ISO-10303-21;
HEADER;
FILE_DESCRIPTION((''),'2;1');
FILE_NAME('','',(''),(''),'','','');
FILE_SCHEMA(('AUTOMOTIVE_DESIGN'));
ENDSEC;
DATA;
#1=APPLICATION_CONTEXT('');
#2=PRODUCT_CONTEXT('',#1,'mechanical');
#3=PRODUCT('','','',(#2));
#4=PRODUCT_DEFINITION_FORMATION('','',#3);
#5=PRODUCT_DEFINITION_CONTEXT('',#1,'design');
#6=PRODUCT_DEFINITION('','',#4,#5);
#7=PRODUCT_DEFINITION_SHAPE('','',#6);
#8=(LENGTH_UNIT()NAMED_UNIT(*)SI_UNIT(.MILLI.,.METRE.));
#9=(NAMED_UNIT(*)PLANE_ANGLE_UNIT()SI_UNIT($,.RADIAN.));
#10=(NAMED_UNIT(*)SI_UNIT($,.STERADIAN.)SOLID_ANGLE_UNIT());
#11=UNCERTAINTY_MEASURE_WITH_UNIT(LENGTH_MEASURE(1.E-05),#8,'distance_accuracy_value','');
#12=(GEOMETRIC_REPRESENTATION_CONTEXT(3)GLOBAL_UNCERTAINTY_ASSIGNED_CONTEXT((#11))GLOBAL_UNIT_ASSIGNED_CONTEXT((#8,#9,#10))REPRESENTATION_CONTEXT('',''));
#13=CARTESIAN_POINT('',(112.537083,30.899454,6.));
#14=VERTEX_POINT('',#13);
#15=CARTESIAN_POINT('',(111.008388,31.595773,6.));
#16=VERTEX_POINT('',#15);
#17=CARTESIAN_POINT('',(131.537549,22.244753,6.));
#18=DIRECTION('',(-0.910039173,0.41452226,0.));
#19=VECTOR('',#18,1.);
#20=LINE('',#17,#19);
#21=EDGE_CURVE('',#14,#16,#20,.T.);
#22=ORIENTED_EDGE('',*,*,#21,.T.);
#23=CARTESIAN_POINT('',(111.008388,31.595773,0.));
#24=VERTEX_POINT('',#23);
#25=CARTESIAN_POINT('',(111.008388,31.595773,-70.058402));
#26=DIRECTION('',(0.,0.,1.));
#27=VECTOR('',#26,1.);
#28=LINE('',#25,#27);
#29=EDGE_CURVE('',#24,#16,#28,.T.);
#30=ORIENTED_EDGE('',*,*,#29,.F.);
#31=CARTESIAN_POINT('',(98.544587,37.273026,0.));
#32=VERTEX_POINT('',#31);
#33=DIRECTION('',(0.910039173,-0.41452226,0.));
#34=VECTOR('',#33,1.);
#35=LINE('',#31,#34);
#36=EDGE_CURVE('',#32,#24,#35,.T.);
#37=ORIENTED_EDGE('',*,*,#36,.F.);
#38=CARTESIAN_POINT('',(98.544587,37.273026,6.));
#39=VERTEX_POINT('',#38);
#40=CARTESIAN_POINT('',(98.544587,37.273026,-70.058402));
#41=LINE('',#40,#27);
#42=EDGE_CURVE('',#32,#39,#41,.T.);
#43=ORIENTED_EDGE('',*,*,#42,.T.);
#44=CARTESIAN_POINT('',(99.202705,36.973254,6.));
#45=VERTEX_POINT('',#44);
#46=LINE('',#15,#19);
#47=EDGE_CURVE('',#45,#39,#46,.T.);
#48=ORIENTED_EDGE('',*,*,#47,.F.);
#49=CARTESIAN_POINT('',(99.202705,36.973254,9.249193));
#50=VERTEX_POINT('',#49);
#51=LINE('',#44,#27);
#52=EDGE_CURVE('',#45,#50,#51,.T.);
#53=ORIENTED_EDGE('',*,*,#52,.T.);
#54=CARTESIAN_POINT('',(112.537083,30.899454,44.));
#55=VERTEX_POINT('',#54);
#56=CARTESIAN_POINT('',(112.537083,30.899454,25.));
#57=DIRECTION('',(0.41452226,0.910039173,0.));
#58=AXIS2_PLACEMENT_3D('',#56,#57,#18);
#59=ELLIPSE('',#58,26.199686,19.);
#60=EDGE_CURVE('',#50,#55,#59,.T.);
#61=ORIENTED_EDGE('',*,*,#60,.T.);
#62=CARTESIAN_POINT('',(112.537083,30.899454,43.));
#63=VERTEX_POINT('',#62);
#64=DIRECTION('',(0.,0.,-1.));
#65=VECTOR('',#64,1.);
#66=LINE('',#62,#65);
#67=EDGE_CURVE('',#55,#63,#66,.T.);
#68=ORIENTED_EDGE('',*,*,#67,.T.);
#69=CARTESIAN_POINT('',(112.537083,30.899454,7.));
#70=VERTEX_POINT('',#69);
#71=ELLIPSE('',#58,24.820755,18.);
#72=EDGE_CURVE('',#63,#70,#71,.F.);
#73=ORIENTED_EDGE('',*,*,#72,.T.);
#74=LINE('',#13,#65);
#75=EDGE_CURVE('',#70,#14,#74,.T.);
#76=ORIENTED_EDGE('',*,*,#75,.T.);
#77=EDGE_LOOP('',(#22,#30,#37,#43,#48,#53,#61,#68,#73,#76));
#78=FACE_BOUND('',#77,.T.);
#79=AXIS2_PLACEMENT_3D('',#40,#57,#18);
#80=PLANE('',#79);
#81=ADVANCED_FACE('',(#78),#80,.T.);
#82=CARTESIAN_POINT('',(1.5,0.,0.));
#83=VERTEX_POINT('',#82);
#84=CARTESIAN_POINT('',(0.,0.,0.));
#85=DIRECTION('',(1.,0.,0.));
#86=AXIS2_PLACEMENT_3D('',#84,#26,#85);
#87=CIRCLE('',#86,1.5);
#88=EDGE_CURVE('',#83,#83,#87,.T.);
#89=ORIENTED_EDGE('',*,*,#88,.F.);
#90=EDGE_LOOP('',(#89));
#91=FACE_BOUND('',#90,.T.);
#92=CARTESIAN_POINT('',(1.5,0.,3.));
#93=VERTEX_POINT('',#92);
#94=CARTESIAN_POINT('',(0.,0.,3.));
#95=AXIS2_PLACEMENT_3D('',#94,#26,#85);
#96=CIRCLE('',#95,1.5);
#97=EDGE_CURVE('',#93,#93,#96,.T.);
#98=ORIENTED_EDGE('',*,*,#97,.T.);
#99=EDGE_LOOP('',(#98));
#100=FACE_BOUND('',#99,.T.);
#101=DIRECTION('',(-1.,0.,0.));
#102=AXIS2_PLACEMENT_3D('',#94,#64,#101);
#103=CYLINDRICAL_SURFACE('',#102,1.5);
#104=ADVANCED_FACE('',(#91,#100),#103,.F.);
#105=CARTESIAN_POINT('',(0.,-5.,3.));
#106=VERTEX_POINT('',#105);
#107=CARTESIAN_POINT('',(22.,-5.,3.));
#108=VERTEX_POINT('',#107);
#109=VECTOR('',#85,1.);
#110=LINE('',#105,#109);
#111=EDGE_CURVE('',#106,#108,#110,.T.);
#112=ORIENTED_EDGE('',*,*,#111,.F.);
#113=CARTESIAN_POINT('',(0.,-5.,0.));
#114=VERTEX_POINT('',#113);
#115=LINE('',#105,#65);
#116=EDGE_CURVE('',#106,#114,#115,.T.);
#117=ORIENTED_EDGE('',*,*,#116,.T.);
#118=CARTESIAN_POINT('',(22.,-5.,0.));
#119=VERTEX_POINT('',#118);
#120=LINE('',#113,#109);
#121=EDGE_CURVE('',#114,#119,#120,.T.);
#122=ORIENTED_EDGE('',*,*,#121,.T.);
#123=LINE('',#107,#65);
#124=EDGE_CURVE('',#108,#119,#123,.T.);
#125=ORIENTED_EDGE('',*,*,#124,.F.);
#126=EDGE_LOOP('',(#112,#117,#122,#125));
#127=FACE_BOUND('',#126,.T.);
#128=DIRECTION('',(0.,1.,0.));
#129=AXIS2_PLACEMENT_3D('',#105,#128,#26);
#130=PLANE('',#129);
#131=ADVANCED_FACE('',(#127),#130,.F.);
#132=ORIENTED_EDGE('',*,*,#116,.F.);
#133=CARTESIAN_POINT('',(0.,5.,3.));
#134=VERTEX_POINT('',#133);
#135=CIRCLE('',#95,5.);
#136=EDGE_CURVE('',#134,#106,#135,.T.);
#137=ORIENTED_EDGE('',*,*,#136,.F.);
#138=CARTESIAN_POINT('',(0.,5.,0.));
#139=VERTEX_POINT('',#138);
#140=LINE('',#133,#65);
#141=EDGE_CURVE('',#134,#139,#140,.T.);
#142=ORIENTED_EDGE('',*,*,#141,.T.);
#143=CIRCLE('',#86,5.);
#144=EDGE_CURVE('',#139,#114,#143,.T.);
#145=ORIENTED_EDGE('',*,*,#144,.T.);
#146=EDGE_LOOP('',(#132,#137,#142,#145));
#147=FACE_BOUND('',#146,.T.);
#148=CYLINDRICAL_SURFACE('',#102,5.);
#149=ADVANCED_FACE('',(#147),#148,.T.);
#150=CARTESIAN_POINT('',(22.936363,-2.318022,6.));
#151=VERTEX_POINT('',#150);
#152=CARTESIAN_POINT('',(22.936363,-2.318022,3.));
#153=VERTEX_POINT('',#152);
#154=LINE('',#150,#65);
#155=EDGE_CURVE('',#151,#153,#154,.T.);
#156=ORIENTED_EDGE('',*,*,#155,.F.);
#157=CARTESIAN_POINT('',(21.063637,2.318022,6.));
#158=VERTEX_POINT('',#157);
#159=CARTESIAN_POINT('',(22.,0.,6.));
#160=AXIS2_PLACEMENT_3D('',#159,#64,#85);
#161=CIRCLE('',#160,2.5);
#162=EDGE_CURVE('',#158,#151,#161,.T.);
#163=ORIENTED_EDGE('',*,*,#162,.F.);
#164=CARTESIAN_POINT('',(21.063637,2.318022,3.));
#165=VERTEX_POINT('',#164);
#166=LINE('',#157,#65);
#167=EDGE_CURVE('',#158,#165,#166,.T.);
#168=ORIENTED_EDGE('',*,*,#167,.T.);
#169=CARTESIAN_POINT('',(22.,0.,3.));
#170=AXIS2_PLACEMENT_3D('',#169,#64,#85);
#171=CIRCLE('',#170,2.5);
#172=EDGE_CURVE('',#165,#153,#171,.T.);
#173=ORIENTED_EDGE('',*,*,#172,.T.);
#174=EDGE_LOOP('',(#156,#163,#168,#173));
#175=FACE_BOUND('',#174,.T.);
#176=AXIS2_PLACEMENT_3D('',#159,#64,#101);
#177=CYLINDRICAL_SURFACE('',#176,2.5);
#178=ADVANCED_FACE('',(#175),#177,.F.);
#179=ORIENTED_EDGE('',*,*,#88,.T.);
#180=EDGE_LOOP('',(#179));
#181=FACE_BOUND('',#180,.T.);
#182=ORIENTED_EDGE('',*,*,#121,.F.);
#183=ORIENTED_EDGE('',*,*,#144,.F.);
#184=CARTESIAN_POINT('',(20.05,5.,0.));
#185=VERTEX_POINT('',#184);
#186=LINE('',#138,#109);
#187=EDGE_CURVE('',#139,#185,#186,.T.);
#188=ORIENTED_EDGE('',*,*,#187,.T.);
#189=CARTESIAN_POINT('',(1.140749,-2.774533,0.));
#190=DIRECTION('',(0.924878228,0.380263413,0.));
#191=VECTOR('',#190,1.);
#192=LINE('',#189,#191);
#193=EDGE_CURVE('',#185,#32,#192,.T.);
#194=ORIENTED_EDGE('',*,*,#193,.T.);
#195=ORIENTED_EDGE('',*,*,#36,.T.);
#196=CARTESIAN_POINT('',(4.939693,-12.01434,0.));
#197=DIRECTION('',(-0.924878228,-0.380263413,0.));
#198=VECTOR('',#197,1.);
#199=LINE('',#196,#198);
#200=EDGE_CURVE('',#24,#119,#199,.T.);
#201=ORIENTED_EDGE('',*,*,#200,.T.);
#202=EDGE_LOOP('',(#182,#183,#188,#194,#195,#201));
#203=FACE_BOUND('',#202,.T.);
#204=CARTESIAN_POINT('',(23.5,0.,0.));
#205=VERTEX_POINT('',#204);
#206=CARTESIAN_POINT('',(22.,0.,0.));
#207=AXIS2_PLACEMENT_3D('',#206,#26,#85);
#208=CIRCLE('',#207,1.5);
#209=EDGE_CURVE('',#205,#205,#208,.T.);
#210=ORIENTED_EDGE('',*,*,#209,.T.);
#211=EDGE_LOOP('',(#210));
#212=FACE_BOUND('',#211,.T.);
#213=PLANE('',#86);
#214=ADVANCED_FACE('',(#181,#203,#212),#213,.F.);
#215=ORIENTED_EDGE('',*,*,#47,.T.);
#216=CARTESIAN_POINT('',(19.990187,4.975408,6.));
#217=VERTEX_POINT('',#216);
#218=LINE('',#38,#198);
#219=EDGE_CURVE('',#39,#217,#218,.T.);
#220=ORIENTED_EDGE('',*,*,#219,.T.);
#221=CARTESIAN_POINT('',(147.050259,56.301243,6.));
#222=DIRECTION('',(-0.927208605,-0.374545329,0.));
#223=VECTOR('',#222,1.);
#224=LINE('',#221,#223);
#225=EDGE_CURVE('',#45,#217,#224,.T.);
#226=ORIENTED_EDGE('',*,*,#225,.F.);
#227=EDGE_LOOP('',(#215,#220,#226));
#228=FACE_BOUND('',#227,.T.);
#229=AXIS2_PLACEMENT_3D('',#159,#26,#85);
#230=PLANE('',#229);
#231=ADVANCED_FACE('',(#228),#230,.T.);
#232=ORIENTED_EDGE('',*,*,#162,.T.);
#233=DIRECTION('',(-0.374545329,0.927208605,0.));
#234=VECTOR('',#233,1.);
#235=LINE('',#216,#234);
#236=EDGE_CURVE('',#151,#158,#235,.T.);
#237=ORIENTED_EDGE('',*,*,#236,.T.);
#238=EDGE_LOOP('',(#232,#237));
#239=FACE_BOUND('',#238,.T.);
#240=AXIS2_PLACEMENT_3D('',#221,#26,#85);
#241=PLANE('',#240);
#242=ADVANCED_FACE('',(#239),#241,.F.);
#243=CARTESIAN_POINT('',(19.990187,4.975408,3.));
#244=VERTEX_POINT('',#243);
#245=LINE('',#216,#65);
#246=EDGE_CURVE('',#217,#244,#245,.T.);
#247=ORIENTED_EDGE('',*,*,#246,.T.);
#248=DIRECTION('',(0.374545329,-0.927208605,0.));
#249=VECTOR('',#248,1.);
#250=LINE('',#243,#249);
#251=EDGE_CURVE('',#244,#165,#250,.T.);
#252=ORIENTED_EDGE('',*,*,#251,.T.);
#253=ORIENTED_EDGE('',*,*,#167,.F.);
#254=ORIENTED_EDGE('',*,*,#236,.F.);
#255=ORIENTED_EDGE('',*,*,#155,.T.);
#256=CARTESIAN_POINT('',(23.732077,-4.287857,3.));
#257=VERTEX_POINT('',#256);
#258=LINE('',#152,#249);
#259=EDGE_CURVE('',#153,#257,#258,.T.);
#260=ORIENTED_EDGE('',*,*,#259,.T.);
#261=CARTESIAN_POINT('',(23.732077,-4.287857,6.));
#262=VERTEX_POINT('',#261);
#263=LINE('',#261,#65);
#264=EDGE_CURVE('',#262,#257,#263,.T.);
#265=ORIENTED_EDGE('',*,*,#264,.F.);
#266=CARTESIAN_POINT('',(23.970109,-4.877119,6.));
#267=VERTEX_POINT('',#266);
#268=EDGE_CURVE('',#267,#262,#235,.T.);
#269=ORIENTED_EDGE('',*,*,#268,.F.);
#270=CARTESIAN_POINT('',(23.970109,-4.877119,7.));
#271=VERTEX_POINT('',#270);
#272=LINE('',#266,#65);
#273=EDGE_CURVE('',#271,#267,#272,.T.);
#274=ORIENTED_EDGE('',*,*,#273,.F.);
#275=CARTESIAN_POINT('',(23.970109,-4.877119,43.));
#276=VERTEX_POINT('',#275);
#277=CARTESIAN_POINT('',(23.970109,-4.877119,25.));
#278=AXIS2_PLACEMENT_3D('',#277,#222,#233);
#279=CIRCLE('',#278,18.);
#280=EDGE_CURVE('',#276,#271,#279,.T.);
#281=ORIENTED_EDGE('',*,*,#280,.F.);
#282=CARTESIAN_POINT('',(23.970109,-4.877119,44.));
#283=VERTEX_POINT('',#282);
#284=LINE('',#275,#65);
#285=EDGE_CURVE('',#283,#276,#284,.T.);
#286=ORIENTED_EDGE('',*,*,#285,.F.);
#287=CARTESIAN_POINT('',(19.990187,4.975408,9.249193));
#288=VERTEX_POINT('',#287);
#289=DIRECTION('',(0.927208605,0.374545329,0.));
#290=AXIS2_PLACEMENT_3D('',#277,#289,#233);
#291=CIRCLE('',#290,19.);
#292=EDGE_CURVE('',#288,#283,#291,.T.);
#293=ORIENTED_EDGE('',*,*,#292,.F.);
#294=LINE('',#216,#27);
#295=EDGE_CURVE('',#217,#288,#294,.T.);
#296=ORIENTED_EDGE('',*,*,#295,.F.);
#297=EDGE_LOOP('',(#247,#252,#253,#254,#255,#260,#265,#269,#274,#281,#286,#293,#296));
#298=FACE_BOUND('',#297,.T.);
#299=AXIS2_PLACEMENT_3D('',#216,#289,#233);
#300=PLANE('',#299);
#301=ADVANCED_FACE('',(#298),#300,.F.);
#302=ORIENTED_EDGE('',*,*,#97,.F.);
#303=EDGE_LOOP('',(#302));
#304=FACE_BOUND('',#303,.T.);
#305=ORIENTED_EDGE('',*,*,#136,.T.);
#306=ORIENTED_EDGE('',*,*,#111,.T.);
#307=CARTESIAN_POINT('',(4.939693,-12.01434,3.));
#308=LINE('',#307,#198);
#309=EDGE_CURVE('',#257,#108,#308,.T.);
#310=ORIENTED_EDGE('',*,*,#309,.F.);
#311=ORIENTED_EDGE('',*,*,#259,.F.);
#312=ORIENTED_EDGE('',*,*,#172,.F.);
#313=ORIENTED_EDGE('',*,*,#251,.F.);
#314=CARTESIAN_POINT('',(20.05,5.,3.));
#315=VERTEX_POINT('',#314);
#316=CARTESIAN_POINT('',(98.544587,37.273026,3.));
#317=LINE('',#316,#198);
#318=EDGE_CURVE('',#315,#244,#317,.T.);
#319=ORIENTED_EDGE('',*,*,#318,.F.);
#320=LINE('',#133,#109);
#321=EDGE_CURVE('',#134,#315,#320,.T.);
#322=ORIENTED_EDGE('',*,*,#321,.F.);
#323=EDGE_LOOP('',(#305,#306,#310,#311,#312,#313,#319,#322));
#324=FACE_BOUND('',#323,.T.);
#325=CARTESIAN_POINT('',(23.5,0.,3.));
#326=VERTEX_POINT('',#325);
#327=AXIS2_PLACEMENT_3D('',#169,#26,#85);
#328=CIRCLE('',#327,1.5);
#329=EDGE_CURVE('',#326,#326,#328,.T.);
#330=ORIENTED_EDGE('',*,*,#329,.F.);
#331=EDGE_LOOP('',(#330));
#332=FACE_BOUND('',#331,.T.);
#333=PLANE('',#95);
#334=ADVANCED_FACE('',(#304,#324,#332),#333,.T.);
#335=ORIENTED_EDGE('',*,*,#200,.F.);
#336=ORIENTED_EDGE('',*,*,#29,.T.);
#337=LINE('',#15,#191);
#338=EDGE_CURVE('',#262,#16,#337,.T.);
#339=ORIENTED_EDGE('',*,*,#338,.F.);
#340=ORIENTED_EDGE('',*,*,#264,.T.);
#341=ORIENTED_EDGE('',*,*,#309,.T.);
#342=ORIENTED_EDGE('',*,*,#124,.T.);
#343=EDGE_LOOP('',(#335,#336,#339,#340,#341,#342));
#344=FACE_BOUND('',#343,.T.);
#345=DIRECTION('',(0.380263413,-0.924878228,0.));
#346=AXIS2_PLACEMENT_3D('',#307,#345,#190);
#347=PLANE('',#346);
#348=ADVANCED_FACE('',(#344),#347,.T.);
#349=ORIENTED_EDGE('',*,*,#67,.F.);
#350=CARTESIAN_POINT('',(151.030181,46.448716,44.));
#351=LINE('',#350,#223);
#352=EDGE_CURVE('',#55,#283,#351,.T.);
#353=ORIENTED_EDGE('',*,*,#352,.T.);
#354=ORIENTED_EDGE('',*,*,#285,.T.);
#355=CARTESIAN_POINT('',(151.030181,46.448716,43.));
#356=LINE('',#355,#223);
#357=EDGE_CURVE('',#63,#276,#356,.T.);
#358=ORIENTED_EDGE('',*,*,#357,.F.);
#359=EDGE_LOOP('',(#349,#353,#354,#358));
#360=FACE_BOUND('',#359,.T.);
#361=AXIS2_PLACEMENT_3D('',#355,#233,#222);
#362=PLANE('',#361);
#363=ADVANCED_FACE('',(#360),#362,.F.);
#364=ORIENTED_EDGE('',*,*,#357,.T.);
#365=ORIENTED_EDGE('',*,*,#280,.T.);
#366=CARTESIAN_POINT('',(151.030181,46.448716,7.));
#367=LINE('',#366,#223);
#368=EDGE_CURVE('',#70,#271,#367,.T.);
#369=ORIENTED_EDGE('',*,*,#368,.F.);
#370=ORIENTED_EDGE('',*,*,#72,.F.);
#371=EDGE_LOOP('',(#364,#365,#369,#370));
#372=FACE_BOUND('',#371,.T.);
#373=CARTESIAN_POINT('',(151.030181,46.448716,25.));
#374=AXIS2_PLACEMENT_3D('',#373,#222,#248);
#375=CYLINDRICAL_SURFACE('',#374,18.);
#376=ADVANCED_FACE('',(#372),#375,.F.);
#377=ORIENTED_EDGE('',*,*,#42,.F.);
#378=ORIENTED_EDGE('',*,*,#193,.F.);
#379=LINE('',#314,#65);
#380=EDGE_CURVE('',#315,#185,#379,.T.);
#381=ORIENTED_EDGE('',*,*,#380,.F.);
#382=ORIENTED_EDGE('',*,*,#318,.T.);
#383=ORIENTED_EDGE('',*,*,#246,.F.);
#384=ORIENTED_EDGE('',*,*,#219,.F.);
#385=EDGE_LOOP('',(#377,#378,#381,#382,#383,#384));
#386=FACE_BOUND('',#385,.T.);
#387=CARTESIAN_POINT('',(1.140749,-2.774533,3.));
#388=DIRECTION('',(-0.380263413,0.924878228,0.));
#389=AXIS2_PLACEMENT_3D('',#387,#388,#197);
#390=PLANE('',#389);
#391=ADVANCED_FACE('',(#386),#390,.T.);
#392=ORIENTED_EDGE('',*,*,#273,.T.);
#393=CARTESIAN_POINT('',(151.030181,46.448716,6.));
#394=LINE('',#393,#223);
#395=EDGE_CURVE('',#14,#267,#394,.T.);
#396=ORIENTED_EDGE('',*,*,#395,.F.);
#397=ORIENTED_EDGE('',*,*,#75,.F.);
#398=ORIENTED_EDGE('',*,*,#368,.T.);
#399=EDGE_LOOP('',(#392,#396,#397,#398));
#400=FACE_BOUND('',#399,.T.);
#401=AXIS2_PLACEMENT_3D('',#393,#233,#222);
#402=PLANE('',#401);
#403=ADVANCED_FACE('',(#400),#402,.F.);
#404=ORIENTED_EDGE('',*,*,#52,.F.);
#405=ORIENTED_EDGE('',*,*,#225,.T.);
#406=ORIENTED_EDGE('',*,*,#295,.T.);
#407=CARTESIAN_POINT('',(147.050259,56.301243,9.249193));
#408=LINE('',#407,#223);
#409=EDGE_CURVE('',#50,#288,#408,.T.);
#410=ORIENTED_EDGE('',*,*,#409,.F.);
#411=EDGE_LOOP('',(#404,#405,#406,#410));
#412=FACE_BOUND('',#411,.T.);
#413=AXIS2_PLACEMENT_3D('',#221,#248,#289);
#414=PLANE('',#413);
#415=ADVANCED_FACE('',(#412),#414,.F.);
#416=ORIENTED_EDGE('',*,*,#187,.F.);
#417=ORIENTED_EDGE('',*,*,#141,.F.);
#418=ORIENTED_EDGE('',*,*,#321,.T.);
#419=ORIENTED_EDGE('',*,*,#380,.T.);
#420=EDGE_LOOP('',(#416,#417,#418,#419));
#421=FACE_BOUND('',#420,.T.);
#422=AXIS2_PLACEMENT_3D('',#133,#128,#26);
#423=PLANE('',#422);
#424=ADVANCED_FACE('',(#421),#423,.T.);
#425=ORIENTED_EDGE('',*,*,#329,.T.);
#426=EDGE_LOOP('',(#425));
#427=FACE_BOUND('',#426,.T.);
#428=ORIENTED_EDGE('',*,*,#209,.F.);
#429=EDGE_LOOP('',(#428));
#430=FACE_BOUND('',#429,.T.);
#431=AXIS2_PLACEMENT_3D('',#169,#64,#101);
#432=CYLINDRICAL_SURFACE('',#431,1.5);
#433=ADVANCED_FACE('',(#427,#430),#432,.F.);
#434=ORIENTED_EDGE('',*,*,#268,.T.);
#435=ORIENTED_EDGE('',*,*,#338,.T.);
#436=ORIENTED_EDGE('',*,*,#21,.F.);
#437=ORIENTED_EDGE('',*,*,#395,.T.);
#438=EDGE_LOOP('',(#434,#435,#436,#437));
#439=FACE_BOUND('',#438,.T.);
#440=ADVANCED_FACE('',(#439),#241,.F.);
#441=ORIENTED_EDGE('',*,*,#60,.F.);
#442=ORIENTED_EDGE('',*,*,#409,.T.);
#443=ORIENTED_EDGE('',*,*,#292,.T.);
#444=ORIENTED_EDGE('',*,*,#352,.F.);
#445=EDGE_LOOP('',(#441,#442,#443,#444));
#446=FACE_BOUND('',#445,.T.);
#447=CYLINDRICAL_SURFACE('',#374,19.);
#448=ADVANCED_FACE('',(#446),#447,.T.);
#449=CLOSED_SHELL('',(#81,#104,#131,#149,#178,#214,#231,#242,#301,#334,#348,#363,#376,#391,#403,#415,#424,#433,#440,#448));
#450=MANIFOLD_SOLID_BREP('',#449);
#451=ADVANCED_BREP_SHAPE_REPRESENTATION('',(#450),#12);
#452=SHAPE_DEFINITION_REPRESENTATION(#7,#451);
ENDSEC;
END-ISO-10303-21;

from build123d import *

# Parameters (mm, degrees)
SKETCH1_R           = 1.5
BOSS_EXTRUDE1_DEPTH = 3
EXTRUDE_1_DEPTH     = 3
EXTRUDE_3_DEPTH     = 3
EXTRUDE_4_REACH     = 98.931


with BuildPart() as part:
    # Sketch1 → Boss-Extrude1 (new body)
    # profile 1 of 2: a face of its own
    with BuildSketch(Plane.XY):
        with BuildLine():
            Line((20.05, 5), (0, 5))
            ThreePointArc((0, 5), (-5, 0), (0, -5))
            Line((0, -5), (22, -5))
            Line((22, -5), (25.516973514, -3.553997369))
            ThreePointArc((25.516973514, -3.553997369), (26.624391141, 1.901317064), (22, 5))
            Line((22, 5), (20.05, 5))
        make_face()
        Circle(SKETCH1_R, mode=Mode.SUBTRACT)
        with Locations((22, 0)):
            Circle(SKETCH1_R, mode=Mode.SUBTRACT)
    # profile 2 of 2: a face of its own
    with BuildSketch(Plane.XY):
        with BuildLine():
            Line((46.409029503, 15.837507263), (20.05, 5))
            Line((20.05, 5), (22, 5))
            ThreePointArc((22, 5), (26.624391141, 1.901317064), (25.516973514, -3.553997369))
            Line((25.516973514, -3.553997369), (48.359029503, 5.837507263))
            Line((48.359029503, 5.837507263), (58.872830999, 10.16025367))
            Line((58.872830999, 10.16025367), (53.359871826, 12.67140304))
            Line((53.359871826, 12.67140304), (46.409029503, 15.837507263))
        make_face()
    extrude(amount=BOSS_EXTRUDE1_DEPTH)

    # 草图1 → 凸台-拉伸1 (add)
    with BuildSketch(Plane.XY.offset(3)):
        Polygon((46.409029503, 15.837507263), (58.872830999, 10.16025367), (111.008388469, 31.59577286), (98.544586973, 37.273026453), align=None)
    extrude(amount=-EXTRUDE_1_DEPTH)

    # 草图17 → 凸台-拉伸3 (add)
    with BuildSketch(Plane.XY.offset(3)):
        with BuildLine():
            Line((111.008388469, 31.59577286), (23.732077121, -4.287856999))
            Line((23.732077121, -4.287856999), (22.936363323, -2.318021512))
            ThreePointArc((22.936363323, -2.318021512), (24.318021512, 0.936363323), (21.063636677, 2.318021512))
            Line((21.063636677, 2.318021512), (19.990187108, 4.975407947))
            Line((19.990187108, 4.975407947), (98.544586973, 37.273026453))
            Line((98.544586973, 37.273026453), (111.008388469, 31.59577286))
        make_face()
    extrude(amount=EXTRUDE_3_DEPTH)

    # 凸台-拉伸4: up to this plane
    extrude_4_end = Plane(origin=(98.544586973, 37.273026453, -70.058401543), z_dir=(0.4145222599320868, 0.9100391727946636, 0))
    # 草图18 → 凸台-拉伸4 (add, up to the surface)
    with BuildSketch(Plane(origin=(18.913747522, 7.640196343, 0), x_dir=(0.3745453290899799, -0.9272086046067943, 0), z_dir=(0.9272086046067944, 0.37454532908997995, 0)), mode=Mode.PRIVATE) as extrude_4_sk1:
        with BuildLine():
            Line((13.499999459, -6), (13.499999459, -7))
            ThreePointArc((13.499999459, -7), (-4.500000541, -25), (13.499999459, -43))
            Line((13.499999459, -43), (13.499999459, -44))
            ThreePointArc((13.499999459, -44), (-4.669553865, -30.55583765), (2.873990149, -9.249192842))
            Line((2.873990149, -9.249192842), (2.873990149, -6))
            Line((2.873990149, -6), (13.499999459, -6))
        make_face()
    extrude_4_tool1 = split(extrude(extrude_4_sk1.sketch, amount=EXTRUDE_4_REACH, mode=Mode.PRIVATE), bisect_by=extrude_4_end, keep=Keep.BOTH, mode=Mode.PRIVATE)
    add(extrude_4_tool1.solids().sort_by_distance((20.149314, 4.581481, 7.624596))[0])


solid = part.part
